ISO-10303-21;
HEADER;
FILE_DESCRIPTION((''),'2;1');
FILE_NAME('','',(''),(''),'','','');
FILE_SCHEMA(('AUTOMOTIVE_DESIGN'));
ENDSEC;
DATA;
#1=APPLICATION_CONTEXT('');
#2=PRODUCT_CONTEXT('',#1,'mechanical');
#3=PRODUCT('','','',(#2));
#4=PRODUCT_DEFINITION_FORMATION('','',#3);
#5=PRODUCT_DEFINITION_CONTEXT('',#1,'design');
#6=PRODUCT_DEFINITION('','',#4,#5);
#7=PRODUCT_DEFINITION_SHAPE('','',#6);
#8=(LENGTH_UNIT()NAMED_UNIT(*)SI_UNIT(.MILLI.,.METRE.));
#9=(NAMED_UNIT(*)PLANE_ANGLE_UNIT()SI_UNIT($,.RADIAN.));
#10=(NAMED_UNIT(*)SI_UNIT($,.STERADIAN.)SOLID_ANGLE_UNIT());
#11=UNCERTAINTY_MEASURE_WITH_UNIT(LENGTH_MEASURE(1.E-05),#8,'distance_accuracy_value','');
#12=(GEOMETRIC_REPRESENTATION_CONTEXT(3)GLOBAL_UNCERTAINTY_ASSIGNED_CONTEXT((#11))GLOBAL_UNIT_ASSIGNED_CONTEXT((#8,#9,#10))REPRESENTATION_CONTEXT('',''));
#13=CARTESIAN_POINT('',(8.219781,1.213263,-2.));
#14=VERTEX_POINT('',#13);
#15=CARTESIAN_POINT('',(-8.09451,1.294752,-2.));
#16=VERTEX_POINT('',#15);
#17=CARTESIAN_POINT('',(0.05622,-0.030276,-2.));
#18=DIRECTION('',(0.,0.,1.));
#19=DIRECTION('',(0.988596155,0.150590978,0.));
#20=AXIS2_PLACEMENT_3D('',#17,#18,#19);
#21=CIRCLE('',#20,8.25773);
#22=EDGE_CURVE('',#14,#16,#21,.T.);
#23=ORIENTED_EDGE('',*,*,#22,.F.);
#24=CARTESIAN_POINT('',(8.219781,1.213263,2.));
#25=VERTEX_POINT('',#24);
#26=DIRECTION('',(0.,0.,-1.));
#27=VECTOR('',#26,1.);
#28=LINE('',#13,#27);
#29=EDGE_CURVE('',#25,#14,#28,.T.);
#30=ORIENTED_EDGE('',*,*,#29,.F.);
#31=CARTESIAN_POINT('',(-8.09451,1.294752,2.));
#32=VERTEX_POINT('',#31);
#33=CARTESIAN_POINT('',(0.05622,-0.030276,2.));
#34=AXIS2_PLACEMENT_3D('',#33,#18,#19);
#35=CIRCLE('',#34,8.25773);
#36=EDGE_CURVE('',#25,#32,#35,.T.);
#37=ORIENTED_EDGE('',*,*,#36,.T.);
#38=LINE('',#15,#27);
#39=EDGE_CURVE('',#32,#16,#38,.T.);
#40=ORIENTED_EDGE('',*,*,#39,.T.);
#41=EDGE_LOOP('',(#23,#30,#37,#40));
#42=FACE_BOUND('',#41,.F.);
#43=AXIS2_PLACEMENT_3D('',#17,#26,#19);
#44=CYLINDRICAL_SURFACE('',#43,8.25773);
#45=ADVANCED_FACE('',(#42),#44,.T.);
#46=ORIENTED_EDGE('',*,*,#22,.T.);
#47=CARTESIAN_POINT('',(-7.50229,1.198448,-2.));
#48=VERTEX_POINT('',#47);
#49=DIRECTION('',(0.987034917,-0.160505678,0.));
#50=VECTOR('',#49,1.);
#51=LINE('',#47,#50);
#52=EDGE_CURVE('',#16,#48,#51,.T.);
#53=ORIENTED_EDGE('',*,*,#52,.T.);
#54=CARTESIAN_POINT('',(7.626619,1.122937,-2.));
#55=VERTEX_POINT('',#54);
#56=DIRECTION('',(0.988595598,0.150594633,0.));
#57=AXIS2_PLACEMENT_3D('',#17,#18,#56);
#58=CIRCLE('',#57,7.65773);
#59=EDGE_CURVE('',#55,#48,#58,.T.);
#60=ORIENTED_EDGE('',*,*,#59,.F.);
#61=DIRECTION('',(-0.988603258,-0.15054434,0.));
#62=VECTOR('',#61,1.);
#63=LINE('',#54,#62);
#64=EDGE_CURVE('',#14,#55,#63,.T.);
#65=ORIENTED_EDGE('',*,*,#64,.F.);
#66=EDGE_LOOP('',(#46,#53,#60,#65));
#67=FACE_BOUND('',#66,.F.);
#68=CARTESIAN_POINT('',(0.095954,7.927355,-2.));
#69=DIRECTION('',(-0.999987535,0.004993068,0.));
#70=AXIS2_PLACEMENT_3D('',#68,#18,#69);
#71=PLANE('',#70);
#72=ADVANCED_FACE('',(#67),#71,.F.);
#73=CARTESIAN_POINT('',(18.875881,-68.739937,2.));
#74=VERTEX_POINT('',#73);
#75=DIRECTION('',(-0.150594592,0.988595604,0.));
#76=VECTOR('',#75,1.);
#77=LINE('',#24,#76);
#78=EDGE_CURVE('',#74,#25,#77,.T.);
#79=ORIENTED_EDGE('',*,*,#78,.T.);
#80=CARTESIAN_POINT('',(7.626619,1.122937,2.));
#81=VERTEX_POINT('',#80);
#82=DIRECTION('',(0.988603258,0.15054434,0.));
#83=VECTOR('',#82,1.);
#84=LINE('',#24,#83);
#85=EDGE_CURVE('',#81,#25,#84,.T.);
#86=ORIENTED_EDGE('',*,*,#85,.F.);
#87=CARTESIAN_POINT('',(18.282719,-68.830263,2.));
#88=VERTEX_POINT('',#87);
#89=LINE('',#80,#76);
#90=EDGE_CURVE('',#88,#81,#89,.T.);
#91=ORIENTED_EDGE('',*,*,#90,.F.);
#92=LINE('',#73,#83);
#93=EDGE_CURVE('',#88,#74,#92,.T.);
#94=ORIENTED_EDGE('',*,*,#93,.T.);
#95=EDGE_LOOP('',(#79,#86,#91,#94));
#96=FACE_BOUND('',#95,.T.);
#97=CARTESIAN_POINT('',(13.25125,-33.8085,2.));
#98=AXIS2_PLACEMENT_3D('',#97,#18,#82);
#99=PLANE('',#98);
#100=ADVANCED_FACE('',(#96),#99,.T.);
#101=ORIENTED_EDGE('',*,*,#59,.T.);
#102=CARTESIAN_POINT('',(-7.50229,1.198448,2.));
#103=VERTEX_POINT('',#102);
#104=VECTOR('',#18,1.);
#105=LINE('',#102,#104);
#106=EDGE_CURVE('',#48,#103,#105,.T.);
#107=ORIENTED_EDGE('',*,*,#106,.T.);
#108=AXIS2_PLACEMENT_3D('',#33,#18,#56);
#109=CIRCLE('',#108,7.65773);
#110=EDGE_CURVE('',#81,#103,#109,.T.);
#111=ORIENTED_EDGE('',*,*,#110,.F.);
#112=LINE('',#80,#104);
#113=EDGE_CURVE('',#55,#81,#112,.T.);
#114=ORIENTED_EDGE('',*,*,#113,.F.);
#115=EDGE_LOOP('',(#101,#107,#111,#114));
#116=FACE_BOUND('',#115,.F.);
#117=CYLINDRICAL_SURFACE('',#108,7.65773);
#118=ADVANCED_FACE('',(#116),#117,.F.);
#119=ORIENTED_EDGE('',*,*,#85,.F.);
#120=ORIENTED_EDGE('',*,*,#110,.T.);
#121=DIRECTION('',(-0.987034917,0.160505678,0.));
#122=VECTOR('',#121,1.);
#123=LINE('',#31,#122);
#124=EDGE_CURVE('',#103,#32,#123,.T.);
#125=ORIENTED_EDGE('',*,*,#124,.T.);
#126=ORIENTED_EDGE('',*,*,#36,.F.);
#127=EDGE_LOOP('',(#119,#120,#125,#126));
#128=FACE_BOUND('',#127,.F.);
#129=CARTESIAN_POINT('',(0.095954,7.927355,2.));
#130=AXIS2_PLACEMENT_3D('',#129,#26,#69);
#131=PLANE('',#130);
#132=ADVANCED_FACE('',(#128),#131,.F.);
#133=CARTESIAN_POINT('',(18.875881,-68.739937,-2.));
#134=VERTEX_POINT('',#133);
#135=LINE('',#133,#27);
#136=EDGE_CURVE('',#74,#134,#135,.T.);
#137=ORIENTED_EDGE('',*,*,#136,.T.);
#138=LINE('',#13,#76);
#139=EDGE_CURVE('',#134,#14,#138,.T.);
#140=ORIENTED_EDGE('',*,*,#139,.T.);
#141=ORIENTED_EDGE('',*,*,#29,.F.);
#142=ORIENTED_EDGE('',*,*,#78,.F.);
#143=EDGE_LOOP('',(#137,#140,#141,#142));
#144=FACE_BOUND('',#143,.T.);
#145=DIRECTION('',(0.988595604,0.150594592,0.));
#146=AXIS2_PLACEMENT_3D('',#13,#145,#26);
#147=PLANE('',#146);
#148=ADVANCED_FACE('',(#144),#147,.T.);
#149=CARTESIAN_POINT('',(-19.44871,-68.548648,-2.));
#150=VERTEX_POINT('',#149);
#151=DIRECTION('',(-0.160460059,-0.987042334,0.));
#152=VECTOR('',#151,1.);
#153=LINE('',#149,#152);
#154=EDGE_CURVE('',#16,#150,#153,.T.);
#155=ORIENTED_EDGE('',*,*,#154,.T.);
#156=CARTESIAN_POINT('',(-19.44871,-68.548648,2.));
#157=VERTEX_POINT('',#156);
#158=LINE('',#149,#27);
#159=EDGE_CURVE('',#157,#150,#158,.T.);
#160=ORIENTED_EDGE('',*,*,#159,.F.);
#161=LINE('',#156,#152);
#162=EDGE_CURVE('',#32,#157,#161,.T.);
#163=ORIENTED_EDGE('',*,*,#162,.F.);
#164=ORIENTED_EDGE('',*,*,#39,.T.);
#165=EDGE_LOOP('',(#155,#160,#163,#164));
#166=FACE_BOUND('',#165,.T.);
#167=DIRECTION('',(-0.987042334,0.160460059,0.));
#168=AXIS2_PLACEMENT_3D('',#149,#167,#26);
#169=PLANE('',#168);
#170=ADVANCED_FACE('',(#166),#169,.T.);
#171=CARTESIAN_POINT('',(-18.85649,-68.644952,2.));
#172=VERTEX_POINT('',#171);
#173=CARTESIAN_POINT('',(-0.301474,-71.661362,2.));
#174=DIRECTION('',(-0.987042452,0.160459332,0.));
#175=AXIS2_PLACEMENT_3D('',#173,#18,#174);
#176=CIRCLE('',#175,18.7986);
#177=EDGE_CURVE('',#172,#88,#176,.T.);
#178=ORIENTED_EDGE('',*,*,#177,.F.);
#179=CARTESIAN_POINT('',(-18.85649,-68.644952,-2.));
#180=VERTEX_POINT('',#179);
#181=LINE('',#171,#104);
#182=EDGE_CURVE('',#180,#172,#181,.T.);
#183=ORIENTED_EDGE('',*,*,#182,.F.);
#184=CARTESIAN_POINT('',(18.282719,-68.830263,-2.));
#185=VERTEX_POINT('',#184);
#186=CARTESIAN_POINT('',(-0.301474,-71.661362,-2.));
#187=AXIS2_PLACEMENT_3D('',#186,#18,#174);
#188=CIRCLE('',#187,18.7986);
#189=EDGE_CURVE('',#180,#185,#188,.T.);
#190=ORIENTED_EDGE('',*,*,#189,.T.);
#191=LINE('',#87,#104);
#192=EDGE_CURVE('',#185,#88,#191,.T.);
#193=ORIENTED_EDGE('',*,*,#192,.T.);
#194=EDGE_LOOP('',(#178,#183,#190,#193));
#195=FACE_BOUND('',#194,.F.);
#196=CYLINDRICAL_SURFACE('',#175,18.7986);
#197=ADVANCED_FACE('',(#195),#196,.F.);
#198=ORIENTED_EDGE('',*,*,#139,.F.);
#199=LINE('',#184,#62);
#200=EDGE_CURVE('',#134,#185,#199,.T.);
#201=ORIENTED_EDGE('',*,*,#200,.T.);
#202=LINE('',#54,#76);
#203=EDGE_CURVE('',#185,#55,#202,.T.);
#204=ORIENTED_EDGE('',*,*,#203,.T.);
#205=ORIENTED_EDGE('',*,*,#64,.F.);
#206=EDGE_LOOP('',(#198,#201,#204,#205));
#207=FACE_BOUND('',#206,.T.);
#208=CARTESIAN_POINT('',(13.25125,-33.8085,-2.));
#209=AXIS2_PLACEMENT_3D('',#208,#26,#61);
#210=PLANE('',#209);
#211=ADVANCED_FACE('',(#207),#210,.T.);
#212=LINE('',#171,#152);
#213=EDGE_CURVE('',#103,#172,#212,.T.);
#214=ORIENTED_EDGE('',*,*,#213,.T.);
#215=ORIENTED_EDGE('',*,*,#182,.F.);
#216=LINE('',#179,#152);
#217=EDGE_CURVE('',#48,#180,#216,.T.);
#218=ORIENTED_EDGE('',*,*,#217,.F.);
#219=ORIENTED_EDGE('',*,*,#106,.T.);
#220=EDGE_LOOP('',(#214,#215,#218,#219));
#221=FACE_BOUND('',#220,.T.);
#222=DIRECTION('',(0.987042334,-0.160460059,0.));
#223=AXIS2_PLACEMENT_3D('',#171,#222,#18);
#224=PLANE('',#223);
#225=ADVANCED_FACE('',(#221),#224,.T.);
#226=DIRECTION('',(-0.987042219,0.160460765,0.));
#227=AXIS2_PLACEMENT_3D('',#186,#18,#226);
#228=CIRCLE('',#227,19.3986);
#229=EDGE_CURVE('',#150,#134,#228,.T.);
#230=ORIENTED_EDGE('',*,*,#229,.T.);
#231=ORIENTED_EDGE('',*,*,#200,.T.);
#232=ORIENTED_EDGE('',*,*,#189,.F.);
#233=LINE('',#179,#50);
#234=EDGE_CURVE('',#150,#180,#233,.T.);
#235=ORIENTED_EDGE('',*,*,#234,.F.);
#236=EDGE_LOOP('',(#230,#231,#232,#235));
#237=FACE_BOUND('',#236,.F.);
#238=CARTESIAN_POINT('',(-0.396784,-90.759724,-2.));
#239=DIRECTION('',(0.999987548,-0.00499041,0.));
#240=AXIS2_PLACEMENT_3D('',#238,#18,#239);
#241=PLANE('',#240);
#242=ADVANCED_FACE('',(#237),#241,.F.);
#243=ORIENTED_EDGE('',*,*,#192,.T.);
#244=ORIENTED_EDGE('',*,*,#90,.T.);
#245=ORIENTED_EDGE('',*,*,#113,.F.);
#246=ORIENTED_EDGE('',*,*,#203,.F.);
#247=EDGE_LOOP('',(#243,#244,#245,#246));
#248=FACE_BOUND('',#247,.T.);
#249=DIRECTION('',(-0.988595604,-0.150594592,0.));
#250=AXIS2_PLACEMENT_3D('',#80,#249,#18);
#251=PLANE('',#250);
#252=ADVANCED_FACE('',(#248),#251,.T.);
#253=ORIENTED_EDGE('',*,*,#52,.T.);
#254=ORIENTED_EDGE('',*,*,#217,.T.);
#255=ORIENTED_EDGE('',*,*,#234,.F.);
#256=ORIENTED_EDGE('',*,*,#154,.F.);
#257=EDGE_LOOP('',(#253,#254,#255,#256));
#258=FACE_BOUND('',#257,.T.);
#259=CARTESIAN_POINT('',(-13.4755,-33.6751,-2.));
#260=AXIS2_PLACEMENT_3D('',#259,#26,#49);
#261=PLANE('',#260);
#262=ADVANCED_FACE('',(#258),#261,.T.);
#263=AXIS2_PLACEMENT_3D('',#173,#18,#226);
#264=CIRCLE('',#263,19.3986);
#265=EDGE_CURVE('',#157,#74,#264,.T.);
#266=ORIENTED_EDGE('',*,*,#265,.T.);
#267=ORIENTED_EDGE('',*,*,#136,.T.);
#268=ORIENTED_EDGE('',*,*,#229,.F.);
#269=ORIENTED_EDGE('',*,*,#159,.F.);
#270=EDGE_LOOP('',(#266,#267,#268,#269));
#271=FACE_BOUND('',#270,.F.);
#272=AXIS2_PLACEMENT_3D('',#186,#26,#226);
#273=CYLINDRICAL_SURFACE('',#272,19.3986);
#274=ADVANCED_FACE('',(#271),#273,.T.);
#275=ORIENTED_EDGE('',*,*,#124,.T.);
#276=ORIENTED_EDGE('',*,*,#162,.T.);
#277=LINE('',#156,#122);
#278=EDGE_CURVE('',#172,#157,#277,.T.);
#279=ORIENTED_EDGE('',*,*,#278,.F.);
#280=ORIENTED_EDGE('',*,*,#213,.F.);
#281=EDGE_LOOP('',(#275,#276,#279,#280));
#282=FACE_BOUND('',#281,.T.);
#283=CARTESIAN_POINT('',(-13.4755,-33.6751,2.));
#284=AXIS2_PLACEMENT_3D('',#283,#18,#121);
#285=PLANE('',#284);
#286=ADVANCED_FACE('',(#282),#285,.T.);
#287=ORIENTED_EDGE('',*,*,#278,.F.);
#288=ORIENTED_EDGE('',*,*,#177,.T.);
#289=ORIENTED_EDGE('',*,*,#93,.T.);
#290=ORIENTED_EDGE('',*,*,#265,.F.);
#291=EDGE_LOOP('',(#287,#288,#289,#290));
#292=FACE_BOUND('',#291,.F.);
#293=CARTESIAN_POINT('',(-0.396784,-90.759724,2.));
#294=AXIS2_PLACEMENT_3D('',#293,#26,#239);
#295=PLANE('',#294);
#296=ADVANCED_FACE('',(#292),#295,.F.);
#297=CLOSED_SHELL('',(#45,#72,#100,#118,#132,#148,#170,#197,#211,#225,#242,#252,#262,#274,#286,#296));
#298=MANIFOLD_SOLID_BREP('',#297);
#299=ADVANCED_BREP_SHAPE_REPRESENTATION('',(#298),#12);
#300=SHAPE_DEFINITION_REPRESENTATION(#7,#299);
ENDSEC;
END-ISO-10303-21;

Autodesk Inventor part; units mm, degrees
sketch "Sketch Path" plane through (0, 0, 0) normal (0, 0, 1) x (1, 0, 0)
  arc A0 (7.9232, 1.1681) -> (-7.7984, 1.2466) centre (0.0562, -0.0303) ccw
  arc A1 (-19.1526, -68.5968) -> (18.5793, -68.7851) centre (-0.3014, -71.6613) ccw
  line L0 (-19.1526, -68.5968) -> (-7.7984, 1.2466)
  line L1 (7.9232, 1.1681) -> (18.5793, -68.7851)
ref_plane "Cross Section Plane" through (-7.7984, 1.2466, 0) normal (-0.1605, -0.987, 0) x (0, 0, 1)
ref_plane "Work Plane2" through (0.0562, -0.0303, 0) normal (-1, 0, 0) x (0, 0, 1)
ref_plane "Work Plane3" through (-0.3014, -71.6613, 0) normal (-0.0029, -1, 0) x (0, 0, 1)
sketch "Cross Section" plane through (-7.7984, 1.2466, 0) normal (-0.1605, -0.987, 0) x (0, 0, 1)
  line L0 (-2, 0.3) -> (2, 0.3)
  line L1 (2, 0.3) -> (2, -0.3)
  line L2 (2, -0.3) -> (-2, -0.3)
  line L3 (-2, -0.3) -> (-2, 0.3)
  line L4 (-2, 0) -> (2, 0) construction
  point P0 (0, 0)
  point P1 (0, 0)
  dimension "d0" = 4
  dimension "d4" = 0.3
  dimension "d5" = 0.3
sweep "Belt" add profiles "Cross Section" path "Sketch Path"
equation "\"d0\" = da_B"
equation "\"d4\" = da_a"
equation "\"d5\" = da_a2"
equation "\"da_B\" = 4"
equation "\"da_pb\" = 2.5"
equation "\"da_a\" = 0.3"
equation "\"da_S\" = 1.5"
equation "\"da_Beta\" = 20deg"
equation "\"da_Ht\" = 0.7"
equation "\"da_H\" = 1.3"
equation "\"da_a2\" = 0.3"
properties part number "Synchronous Belt" material "Rubber"
